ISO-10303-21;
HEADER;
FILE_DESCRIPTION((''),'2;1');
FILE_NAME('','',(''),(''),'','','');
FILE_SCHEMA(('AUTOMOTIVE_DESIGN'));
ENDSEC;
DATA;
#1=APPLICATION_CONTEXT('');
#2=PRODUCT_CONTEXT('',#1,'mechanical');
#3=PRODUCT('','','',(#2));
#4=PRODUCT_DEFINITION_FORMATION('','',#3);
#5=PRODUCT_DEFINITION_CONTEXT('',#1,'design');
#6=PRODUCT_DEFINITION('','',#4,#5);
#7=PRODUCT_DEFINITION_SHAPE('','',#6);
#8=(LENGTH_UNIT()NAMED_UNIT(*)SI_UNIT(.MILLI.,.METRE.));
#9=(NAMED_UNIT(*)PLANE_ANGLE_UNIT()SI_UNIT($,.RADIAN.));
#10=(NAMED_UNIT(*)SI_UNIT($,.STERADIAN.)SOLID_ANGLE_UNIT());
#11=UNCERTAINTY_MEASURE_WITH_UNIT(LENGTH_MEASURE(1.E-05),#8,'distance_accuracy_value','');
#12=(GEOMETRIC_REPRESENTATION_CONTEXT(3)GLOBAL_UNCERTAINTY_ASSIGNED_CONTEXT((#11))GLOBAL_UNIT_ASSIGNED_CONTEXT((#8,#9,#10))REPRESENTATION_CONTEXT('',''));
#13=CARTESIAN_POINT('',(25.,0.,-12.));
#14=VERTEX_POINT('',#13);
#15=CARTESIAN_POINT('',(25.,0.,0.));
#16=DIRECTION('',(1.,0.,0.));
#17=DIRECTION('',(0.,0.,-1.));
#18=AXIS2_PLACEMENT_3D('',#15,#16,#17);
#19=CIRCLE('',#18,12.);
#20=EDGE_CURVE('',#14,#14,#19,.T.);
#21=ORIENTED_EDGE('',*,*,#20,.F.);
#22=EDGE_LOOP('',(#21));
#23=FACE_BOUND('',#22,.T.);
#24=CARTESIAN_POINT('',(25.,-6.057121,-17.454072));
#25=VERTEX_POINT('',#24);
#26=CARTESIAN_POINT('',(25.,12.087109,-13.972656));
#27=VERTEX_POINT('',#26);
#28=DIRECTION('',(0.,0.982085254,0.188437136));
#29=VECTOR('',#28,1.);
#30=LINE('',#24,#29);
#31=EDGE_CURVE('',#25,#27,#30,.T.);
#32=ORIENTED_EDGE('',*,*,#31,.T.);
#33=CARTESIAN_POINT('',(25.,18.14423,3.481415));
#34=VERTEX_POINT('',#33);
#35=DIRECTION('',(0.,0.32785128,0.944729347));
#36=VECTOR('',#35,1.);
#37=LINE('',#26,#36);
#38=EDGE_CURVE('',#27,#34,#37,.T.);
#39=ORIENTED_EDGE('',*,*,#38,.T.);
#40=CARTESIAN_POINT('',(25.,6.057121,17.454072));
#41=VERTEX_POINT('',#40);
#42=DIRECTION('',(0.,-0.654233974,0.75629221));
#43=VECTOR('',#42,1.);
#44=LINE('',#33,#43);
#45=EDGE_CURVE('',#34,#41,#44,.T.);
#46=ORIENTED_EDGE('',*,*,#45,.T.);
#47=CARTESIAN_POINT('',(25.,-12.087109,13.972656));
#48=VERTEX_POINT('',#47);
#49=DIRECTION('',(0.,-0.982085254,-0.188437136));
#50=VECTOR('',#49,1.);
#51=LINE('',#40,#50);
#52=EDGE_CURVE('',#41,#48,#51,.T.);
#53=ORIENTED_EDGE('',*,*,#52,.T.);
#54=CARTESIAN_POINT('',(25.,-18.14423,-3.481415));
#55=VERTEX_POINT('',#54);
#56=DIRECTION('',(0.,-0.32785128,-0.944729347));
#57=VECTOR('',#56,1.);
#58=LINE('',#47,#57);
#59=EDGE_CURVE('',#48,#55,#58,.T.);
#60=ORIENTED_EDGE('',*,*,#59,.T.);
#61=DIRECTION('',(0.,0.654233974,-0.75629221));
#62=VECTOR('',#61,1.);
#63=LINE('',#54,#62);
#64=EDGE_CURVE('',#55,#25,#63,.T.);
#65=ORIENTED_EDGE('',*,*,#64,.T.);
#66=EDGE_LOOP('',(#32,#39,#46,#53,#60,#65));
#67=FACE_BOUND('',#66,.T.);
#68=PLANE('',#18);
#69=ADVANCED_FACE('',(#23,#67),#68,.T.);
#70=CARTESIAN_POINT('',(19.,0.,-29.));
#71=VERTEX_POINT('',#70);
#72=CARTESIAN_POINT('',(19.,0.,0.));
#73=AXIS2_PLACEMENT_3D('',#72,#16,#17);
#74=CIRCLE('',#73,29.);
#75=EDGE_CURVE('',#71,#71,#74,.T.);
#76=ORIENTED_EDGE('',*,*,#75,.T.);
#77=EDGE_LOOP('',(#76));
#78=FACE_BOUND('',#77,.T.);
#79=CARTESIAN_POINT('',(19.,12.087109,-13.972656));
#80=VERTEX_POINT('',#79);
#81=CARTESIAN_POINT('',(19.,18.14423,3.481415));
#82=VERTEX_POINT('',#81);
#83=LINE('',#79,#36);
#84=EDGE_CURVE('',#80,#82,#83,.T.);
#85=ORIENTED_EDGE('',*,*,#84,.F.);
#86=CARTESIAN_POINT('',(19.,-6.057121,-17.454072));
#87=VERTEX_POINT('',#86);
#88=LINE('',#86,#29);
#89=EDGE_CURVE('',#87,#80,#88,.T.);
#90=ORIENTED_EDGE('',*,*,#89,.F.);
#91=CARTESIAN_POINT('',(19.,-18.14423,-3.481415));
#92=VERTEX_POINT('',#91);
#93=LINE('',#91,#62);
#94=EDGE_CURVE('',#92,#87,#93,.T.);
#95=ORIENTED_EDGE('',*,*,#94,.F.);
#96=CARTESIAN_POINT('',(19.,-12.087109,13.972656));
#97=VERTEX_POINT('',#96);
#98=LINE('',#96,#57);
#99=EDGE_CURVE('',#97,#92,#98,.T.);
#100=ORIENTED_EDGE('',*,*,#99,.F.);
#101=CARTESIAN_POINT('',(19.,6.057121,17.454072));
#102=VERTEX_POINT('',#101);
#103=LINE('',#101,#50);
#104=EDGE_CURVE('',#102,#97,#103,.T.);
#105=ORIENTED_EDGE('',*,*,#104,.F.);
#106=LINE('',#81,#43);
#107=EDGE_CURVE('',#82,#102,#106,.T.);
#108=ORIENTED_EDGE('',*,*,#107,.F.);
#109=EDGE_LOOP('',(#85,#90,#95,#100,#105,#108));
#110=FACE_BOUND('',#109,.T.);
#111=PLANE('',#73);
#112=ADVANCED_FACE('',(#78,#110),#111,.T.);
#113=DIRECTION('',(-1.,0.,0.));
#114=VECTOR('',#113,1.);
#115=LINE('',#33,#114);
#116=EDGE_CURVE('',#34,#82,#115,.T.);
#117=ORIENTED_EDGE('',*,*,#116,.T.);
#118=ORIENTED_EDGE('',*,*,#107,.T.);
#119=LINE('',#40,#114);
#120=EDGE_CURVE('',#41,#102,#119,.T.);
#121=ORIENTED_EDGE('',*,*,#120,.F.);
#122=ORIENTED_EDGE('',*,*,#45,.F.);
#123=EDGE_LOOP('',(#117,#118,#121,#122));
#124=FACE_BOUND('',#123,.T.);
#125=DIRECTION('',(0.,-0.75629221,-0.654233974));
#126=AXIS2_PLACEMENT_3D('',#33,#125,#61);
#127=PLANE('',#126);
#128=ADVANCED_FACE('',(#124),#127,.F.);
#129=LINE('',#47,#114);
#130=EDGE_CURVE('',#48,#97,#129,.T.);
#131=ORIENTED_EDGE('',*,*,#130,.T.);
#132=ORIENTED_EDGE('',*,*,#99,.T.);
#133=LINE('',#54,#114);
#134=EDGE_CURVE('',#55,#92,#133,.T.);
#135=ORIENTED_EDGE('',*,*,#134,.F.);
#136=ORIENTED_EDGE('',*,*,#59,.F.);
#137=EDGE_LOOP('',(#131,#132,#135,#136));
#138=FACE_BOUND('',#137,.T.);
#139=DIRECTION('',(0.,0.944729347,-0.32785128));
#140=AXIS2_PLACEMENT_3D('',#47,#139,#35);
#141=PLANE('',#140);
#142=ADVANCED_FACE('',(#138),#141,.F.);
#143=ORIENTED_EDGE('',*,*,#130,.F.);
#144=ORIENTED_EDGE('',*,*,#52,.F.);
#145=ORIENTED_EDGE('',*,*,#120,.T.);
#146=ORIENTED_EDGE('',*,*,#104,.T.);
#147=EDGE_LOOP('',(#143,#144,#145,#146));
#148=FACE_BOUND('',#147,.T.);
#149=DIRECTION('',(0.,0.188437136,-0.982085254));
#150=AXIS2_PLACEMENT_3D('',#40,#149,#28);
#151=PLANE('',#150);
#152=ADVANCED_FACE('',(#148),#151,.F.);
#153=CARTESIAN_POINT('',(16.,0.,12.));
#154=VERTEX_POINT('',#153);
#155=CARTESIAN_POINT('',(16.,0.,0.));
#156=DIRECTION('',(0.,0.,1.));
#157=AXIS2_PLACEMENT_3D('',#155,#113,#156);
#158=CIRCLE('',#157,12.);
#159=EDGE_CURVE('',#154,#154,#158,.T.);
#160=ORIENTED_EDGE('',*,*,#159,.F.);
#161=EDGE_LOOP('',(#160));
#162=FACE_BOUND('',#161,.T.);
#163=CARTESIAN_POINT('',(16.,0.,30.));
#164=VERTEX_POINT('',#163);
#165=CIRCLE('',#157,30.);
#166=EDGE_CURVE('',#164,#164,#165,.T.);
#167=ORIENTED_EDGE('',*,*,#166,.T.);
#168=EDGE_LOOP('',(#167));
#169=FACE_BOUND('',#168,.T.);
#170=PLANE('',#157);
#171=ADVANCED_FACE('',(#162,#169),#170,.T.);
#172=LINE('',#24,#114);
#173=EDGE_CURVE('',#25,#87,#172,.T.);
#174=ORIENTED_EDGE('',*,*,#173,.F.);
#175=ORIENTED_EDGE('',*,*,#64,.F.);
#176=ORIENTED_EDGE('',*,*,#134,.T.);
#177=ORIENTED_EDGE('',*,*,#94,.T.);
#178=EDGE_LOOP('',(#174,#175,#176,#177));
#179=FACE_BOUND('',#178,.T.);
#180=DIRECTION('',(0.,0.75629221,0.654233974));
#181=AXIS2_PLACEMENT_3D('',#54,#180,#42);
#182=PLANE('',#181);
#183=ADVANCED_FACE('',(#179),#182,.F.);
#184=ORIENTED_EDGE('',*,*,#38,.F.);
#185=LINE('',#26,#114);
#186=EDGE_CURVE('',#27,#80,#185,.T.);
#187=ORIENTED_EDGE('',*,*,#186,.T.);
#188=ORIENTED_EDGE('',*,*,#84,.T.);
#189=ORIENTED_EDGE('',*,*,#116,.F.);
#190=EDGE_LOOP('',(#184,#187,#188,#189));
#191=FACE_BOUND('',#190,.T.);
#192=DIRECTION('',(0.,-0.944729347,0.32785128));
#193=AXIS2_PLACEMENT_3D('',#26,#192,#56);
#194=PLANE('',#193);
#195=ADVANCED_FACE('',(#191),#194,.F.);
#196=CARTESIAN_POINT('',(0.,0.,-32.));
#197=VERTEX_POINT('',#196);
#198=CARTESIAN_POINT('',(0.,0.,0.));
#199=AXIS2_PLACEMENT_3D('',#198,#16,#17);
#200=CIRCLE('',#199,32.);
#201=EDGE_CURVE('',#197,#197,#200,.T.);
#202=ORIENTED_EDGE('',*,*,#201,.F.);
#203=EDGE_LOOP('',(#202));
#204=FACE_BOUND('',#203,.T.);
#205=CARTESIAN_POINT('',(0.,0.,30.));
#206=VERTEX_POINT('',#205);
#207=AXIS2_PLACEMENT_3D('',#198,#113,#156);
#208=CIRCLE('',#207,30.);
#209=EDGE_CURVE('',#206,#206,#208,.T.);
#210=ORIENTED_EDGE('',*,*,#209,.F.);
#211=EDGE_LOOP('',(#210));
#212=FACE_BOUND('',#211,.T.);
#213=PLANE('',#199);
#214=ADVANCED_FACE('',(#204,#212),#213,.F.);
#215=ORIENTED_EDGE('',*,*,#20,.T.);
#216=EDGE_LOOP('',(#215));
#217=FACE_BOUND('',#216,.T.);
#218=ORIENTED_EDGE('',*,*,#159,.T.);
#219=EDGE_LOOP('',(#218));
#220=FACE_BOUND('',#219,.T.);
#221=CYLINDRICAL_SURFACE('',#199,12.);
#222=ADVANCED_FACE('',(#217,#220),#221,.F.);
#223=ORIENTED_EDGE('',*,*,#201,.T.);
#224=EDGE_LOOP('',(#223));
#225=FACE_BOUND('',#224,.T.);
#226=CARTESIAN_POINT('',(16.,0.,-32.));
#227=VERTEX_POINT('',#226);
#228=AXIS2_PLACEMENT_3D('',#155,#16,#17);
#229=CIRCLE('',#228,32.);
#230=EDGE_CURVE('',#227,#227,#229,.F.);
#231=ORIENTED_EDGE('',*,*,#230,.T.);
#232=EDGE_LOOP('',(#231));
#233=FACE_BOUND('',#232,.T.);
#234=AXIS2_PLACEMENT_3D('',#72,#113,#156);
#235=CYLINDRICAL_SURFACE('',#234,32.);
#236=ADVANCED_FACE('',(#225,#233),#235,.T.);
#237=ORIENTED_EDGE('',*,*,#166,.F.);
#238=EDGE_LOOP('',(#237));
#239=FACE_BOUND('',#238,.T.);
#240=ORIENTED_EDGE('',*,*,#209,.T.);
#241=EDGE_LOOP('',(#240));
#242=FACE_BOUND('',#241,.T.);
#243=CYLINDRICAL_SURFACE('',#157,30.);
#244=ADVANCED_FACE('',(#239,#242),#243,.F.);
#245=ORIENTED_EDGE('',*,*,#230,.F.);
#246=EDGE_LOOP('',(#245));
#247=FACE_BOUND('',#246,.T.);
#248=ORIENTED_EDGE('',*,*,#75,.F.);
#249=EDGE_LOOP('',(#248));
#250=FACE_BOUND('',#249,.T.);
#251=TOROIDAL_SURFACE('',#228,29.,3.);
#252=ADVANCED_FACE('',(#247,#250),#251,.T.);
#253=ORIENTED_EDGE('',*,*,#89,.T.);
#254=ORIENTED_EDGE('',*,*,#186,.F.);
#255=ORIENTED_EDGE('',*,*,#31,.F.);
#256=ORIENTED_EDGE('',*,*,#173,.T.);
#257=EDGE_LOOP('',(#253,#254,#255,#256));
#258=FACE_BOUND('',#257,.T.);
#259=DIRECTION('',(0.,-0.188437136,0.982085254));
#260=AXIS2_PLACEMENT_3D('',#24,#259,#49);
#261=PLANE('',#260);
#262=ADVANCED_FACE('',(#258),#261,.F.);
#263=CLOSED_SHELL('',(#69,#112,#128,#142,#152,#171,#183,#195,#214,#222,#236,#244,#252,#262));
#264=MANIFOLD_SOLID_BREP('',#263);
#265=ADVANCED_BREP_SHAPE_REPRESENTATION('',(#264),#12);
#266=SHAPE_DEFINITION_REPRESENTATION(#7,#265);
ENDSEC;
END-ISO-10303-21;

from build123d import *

# Parameters (mm, degrees)
SKETCH1_R           = 32
BOSS_EXTRUDE1_DEPTH = 19
SKETCH5_R           = 30
CUT_EXTRUDE1_DEPTH  = 16
FILLET1_R           = 3
BOSS_EXTRUDE2_DEPTH = 6
SKETCH7_R           = 12
CUT_EXTRUDE2_DEPTH  = 26


with BuildPart() as part:
    # Sketch1 → Boss-Extrude1 (new body)
    with BuildSketch(Plane(origin=(0, 0, 0), x_dir=(0, 0, -1), z_dir=(1, 0, 0))):
        Circle(SKETCH1_R)
    extrude(amount=BOSS_EXTRUDE1_DEPTH)

    # Sketch5 → Cut-Extrude1 (cut)
    with BuildSketch(Plane.ZY):
        Circle(SKETCH5_R)
    extrude(amount=-CUT_EXTRUDE1_DEPTH, mode=Mode.SUBTRACT)

    # Fillet1
    fillet1_edges = [part.edges().sort_by_distance(p)[0] for p in [
        (19, 0, 32),
    ]]
    fillet(fillet1_edges, radius=FILLET1_R)

    # Sketch6 → Boss-Extrude2 (add)
    with BuildSketch(Plane(origin=(19, 0, 0), x_dir=(0, 0, -1), z_dir=(1, 0, 0))):
        Polygon((-17.454071761, 6.057120794), (-13.972656361, -12.087109147), (3.481415399, -18.144229941), (17.454071761, -6.057120794), (13.972656361, 12.087109147), (-3.481415399, 18.144229941), align=None)
    extrude(amount=BOSS_EXTRUDE2_DEPTH)

    # Sketch7 → Cut-Extrude2 (cut, through all)
    with BuildSketch(Plane(origin=(25, 0, 0), x_dir=(0, 0, -1), z_dir=(1, 0, 0))):
        Circle(SKETCH7_R)
    extrude(amount=-CUT_EXTRUDE2_DEPTH, mode=Mode.SUBTRACT)


solid = part.part
